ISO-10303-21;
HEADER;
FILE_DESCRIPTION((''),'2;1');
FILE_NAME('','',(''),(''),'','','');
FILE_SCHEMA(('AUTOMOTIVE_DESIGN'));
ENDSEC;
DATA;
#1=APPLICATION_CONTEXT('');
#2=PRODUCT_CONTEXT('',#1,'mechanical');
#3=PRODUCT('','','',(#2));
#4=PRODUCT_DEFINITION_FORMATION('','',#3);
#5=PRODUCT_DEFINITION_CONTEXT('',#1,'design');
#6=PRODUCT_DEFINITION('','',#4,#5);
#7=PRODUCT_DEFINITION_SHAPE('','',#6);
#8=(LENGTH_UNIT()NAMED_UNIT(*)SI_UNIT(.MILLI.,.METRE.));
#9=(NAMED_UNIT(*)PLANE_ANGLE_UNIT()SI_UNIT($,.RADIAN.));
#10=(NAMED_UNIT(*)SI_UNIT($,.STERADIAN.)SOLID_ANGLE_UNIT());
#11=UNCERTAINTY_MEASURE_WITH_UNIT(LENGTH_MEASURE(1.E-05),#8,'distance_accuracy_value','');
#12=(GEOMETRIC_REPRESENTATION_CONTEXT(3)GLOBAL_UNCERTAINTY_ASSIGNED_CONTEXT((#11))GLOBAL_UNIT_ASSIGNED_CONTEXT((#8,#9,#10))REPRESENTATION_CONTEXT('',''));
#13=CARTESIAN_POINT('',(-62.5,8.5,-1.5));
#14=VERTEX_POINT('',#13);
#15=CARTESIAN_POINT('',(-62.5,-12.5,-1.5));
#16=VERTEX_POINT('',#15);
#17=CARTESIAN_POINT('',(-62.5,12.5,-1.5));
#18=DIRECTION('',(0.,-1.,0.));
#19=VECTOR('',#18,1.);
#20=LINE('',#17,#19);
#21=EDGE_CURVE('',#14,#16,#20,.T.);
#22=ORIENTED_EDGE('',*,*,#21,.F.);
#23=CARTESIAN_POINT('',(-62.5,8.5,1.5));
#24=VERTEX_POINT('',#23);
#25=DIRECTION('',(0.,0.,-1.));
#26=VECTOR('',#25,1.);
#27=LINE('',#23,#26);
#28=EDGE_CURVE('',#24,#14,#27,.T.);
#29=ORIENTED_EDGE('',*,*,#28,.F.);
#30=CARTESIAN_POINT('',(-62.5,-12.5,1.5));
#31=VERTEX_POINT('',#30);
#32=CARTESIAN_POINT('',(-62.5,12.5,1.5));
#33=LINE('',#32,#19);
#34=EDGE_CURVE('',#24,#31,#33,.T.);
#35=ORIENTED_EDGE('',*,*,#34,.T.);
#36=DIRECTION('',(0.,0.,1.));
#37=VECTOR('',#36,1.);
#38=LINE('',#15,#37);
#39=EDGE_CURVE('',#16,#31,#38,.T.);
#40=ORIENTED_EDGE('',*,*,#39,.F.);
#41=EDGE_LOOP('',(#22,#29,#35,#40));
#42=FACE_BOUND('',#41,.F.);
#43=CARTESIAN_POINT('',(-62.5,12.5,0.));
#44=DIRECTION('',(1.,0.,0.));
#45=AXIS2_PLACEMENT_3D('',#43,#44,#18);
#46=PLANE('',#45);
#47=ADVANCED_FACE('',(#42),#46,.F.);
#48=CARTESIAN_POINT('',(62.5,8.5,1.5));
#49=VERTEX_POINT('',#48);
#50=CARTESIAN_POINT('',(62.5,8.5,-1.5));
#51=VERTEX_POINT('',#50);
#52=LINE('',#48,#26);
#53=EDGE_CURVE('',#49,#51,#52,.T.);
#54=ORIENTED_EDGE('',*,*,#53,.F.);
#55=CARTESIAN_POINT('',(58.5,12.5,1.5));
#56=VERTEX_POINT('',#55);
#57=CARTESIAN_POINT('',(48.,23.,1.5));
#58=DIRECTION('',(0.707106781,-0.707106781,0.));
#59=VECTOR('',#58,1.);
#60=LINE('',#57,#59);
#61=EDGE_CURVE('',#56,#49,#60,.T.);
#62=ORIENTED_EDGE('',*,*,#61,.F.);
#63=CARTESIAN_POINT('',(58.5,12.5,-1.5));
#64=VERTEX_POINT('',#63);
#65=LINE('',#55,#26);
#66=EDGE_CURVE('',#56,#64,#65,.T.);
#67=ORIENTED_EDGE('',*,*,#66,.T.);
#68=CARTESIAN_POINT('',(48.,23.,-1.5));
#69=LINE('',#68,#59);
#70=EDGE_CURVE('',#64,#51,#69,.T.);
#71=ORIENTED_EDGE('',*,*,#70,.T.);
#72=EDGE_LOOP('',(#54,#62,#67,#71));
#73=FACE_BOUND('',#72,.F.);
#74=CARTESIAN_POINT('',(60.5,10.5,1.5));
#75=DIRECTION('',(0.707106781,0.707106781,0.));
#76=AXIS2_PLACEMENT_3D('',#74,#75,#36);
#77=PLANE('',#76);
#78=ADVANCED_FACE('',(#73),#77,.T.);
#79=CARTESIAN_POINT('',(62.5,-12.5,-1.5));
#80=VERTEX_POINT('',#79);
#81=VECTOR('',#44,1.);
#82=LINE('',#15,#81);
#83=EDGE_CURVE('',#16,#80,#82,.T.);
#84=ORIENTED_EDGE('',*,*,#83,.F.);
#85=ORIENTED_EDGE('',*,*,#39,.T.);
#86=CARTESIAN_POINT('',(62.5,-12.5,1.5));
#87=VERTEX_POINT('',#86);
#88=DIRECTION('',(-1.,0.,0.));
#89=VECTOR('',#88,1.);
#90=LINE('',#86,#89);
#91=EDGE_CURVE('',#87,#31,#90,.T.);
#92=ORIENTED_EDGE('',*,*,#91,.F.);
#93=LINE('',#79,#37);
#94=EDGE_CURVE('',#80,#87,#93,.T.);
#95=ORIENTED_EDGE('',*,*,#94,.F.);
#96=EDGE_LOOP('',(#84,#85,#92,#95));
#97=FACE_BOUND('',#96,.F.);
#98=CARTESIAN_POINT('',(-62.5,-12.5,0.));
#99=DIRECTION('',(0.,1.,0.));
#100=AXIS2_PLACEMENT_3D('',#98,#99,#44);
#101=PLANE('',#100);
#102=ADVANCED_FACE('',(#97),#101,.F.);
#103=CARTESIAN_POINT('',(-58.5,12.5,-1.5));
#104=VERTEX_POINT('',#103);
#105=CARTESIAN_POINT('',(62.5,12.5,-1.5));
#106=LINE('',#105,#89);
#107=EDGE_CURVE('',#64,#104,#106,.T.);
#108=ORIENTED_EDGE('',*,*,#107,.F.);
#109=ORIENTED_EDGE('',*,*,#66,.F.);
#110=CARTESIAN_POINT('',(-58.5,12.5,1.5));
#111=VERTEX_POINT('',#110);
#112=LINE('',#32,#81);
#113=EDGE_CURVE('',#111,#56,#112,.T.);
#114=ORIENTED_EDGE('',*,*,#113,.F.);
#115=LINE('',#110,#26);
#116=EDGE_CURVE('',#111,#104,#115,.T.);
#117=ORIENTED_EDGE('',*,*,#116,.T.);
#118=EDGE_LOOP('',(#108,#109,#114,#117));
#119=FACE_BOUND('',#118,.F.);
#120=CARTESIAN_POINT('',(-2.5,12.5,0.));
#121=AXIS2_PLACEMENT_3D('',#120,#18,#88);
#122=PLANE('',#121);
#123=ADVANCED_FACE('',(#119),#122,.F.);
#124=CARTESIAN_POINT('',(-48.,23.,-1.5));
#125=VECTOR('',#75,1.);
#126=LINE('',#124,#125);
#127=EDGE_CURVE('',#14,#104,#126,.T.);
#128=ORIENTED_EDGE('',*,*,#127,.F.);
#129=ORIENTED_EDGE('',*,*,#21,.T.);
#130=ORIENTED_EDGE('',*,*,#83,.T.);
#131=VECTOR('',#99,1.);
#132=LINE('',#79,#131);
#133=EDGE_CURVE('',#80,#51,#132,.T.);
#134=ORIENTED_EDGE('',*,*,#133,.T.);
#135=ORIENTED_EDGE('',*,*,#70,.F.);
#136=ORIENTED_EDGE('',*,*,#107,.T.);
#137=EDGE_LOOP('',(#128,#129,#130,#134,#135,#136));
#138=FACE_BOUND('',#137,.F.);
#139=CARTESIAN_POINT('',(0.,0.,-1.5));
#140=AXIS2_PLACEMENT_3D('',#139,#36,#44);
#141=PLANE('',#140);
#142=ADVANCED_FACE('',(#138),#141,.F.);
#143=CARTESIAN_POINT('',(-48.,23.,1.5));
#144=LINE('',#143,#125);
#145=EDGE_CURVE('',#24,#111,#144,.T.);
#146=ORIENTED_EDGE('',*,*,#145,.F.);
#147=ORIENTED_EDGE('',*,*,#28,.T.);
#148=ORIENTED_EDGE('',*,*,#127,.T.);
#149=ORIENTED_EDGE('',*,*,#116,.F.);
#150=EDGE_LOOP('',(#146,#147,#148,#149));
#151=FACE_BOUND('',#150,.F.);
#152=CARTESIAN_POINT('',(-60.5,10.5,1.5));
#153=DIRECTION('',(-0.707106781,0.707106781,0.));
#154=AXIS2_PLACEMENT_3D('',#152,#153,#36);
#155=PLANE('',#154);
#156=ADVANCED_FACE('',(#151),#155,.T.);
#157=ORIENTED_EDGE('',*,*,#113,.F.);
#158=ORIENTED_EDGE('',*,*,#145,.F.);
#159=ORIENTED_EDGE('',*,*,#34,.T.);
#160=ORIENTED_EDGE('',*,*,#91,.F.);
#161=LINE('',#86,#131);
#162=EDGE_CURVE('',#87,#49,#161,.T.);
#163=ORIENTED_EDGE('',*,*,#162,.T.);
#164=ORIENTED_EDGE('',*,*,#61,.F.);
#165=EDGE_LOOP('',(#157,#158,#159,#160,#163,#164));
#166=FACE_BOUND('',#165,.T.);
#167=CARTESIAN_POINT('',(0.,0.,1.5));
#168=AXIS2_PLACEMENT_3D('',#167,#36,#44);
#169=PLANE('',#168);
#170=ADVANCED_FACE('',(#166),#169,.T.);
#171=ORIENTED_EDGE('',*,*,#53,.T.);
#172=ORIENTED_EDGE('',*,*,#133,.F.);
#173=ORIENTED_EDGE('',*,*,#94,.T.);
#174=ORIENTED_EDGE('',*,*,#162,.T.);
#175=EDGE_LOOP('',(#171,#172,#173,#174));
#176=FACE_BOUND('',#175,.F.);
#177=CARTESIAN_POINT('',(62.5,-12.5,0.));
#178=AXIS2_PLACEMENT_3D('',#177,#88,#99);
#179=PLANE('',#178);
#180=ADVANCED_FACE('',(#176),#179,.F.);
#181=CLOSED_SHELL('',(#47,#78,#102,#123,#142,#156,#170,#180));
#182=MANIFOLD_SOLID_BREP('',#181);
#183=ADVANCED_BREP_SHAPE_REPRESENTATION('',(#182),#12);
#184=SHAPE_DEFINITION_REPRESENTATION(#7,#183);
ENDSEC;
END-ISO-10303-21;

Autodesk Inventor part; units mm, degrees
ref_plane "YZ Plane" through (0, 0, 0) normal (1, 0, 0) x (0, 1, 0)
ref_plane "XZ Plane" through (0, 0, 0) normal (0, 1, 0) x (-1, 0, 0)
ref_plane "XY Plane" through (0, 0, 0) normal (0, 0, 1) x (1, 0, 0)
sketch "草圖1" plane through (0, 0, 0) normal (0, 0, 1) x (1, 0, 0)
  line L0 (0, 0) -> (0, 0) construction
  line L1 (0, 0) -> (0, 45.4619) construction
  line L2 (-62.5, -12.5) -> (62.5, -12.5)
  line L3 (62.5, -12.5) -> (62.5, 12.5)
  line L4 (62.5, 12.5) -> (-62.5, 12.5)
  line L5 (-62.5, 12.5) -> (-62.5, -12.5)
  line L6 (-62.5, -12.5) -> (62.5, 12.5) construction
  line L7 (62.5, -12.5) -> (-62.5, 12.5) construction
  line L8 (7.5, 12.5) -> (-2.5, 12.5)
  line L9 (-5, -12.5) -> (5, -12.5)
  point P0 (0, -12.5)
  point P1 (0, 0)
  dimension "d0" = 25
  dimension "d1" = 125
extrude "擠出1" add sketch "草圖1" along normal mid plane 3
chamfer "倒角1" distance 4 angle 45 2 edges at (62.5, 12.5, 0) (-62.5, 12.5, 0)
properties part number "0 零件" material "橡膠"
